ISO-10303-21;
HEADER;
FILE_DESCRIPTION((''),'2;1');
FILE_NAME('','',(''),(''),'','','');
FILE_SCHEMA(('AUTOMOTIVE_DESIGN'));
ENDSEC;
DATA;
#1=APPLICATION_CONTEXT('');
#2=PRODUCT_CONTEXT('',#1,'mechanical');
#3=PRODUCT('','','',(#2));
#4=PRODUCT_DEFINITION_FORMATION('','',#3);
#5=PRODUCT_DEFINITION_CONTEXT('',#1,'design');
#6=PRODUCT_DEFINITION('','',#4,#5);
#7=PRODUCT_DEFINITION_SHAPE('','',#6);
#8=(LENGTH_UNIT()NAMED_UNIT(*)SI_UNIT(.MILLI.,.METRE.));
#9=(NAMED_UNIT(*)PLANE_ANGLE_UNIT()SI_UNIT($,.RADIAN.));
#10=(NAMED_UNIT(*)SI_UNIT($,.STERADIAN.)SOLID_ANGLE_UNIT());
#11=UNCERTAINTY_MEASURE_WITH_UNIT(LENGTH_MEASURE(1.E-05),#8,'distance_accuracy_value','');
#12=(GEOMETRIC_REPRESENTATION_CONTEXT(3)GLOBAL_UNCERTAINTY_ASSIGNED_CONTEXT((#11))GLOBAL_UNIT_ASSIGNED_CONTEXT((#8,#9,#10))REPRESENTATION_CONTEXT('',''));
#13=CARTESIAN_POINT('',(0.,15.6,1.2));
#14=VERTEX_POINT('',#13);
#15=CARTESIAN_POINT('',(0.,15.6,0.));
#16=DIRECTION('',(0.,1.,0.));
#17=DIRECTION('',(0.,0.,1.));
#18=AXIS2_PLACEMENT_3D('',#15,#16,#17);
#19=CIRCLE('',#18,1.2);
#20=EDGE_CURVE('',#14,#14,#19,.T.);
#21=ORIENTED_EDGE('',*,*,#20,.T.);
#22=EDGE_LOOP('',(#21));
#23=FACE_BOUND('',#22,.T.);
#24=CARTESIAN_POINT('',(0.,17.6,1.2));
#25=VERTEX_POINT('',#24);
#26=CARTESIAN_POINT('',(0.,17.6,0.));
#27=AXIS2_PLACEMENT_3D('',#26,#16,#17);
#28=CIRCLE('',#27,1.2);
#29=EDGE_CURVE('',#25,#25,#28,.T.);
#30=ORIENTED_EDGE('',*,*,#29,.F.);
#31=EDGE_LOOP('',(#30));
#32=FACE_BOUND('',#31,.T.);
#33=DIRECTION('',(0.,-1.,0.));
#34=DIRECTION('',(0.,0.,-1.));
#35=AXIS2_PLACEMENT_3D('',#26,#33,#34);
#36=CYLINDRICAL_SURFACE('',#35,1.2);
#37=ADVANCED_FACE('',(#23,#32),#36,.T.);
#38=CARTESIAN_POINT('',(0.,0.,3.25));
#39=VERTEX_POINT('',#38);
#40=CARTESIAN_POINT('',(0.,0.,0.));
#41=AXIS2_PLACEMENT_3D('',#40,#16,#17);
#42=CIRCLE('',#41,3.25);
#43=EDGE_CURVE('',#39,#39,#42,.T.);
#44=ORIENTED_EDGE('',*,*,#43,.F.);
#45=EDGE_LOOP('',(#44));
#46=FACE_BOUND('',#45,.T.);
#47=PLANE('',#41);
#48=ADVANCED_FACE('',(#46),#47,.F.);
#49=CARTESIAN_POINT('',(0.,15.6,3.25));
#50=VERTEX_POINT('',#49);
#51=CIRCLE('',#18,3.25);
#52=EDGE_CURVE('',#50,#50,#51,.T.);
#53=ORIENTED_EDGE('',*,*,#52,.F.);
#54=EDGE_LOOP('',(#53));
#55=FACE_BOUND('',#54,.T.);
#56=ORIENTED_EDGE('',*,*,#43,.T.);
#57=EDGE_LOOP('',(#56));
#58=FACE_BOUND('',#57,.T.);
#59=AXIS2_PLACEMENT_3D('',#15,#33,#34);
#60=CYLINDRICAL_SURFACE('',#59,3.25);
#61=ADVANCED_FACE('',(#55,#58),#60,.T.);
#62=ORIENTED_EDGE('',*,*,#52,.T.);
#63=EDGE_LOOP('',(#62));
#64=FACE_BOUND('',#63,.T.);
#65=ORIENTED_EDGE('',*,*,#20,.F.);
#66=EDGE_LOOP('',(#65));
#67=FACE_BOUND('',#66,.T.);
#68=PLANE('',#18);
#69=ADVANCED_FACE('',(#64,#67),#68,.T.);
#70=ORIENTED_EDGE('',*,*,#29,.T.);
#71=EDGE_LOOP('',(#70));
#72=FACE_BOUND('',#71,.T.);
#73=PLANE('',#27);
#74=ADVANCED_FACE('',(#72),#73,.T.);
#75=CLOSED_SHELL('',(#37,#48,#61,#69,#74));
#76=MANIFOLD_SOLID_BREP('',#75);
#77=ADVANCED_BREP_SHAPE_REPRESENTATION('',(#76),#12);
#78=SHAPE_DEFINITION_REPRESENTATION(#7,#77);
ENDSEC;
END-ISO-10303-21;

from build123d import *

# Parameters (mm, degrees)
SKETCH_1_R      = 3.25
EXTRUDE_1_DEPTH = 15.6
SKETCH_2_R      = 1.2
EXTRUDE_2_DEPTH = 2


with BuildPart() as part:
    # 草图1 → 凸台-拉伸1 (new body)
    with BuildSketch(Plane(origin=(0, 0, 0), x_dir=(1, 0, 0), z_dir=(0, 1, 0))):
        with Locations(Location((0, 0, 0), (0, 0, 270))):
            Circle(SKETCH_1_R)
    extrude(amount=EXTRUDE_1_DEPTH)

    # 草图2 → 凸台-拉伸2 (add)
    with BuildSketch(Plane(origin=(0, 15.6, 0), x_dir=(1, 0, 0), z_dir=(0, 1, 0))):
        with Locations(Location((0, 0, 0), (0, 0, 270))):
            Circle(SKETCH_2_R)
    extrude(amount=EXTRUDE_2_DEPTH)


solid = part.part
